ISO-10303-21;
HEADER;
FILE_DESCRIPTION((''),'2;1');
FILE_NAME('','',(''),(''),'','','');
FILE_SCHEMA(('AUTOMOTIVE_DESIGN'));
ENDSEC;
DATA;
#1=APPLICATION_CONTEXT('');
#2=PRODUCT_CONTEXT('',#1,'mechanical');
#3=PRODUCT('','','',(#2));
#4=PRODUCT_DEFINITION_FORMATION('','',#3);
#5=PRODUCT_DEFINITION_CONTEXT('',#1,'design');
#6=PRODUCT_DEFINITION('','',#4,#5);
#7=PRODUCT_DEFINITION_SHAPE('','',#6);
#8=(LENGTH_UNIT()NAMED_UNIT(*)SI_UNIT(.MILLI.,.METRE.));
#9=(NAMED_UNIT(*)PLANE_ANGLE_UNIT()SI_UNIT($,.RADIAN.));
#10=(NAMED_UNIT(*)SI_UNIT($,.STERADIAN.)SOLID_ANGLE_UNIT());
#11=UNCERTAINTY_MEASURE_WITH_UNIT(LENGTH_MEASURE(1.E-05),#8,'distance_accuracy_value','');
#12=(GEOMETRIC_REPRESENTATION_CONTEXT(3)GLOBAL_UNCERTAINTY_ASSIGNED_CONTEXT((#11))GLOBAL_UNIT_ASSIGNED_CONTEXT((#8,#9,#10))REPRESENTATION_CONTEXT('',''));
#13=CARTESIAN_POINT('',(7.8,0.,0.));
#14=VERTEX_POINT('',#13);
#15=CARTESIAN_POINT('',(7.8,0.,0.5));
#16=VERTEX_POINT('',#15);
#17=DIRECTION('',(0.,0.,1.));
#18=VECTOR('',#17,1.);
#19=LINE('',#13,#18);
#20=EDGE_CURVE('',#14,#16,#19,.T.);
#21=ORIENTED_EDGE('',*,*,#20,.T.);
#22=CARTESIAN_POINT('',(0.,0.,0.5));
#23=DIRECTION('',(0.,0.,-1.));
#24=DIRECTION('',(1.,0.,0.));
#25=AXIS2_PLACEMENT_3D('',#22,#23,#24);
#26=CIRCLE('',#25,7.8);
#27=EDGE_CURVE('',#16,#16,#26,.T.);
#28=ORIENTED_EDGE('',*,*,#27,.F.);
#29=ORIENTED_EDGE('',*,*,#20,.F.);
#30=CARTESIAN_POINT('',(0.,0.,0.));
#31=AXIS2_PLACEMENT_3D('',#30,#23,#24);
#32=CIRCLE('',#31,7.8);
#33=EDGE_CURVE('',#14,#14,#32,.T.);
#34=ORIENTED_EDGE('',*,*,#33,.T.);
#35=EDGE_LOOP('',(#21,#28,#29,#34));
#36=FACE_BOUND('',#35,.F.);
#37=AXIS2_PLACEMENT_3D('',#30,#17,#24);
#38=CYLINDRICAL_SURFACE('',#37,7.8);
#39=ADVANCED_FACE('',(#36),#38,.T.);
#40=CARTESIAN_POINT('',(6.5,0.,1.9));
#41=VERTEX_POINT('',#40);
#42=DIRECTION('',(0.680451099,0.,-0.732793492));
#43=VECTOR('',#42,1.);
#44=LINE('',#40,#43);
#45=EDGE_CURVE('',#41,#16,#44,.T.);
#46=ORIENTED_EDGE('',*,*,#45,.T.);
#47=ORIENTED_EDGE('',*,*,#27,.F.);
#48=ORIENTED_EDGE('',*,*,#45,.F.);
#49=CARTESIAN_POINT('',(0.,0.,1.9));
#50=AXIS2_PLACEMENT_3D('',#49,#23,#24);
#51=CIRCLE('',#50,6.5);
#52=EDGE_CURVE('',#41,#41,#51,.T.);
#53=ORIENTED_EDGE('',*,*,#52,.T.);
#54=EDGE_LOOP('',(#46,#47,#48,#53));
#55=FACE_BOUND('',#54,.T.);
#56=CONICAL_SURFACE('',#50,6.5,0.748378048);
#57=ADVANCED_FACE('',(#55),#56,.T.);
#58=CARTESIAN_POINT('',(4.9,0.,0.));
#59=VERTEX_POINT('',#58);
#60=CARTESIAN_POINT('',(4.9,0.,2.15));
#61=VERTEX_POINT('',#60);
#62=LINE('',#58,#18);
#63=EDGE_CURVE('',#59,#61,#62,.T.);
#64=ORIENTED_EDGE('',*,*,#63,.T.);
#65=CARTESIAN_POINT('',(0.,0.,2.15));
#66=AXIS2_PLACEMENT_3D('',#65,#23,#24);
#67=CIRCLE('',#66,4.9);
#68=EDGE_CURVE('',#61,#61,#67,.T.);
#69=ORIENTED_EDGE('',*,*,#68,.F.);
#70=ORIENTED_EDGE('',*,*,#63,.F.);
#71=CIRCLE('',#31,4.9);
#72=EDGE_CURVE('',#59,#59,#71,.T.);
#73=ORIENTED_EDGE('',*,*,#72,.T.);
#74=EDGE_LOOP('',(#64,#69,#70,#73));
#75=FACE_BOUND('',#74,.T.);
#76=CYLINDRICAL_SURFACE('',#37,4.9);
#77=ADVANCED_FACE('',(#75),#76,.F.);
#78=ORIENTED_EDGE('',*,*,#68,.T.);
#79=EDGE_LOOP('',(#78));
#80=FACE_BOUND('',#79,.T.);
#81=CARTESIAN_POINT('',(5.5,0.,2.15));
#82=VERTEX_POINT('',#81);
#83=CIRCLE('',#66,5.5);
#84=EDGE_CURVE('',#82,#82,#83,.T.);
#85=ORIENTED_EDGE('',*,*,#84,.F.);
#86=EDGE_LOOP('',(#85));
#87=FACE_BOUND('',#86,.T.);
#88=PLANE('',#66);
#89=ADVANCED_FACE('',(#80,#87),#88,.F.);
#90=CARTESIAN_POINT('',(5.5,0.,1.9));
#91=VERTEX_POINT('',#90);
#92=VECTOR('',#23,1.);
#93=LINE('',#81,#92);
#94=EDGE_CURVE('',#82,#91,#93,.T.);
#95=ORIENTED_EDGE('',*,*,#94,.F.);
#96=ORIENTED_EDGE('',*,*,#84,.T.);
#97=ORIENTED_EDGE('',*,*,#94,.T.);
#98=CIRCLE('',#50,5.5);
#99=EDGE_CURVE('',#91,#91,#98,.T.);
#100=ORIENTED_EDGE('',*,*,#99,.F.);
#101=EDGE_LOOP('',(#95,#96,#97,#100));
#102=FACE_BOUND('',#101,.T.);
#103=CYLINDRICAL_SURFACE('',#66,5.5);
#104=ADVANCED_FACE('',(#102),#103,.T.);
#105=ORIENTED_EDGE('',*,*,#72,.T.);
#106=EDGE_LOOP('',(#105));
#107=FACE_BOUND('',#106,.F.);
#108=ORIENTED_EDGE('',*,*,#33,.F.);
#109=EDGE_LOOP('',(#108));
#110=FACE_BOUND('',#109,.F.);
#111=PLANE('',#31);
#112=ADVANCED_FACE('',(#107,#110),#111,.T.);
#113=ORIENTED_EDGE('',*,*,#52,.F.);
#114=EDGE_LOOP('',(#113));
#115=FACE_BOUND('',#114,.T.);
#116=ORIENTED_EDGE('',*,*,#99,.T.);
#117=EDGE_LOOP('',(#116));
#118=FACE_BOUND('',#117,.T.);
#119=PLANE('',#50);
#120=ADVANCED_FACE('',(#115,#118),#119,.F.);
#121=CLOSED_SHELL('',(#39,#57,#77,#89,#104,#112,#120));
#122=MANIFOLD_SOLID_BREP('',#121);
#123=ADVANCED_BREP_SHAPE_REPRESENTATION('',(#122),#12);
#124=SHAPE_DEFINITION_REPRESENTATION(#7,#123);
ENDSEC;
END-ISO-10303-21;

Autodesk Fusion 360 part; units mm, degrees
sketch "Sketch2" plane through (0, 0, 0) normal (0, 1, 0) x (1, 0, 0)
  line L0 (0, -5.5) -> (0, 3.2)
  line L1 (0, 0) -> (4.9, 0) construction
  line L2 (4.9, 0) -> (4.9, -2.15)
  line L3 (4.9, 0) -> (7.8, 0)
  line L4 (7.8, 0) -> (7.8, -0.5)
  line L5 (4.9, -2.15) -> (5.5, -2.15)
  line L6 (5.5, -2.15) -> (5.5, -1.9)
  line L7 (5.5, -1.9) -> (6.5, -1.9)
  line L8 (6.5, -1.9) -> (7.8, -0.5)
  dimension "d3" = 4.9
  dimension "d4" = 2.15
  dimension "d5" = 2.9
  dimension "d6" = 0.5
  dimension "d7" = 0.6
  dimension "d8" = 1.9
  dimension "d9" = 1.6
revolve "Revolve1" add sketch "Sketch2" angle 360 about axis through (0, 0, 5.5) along (0, 0, -1)
equation "d3 = ( 9.8 / 2 ) * 1 mm"
equation "d5 = ( 15.6 / 2 ) * 1 mm - 4.9 mm"
